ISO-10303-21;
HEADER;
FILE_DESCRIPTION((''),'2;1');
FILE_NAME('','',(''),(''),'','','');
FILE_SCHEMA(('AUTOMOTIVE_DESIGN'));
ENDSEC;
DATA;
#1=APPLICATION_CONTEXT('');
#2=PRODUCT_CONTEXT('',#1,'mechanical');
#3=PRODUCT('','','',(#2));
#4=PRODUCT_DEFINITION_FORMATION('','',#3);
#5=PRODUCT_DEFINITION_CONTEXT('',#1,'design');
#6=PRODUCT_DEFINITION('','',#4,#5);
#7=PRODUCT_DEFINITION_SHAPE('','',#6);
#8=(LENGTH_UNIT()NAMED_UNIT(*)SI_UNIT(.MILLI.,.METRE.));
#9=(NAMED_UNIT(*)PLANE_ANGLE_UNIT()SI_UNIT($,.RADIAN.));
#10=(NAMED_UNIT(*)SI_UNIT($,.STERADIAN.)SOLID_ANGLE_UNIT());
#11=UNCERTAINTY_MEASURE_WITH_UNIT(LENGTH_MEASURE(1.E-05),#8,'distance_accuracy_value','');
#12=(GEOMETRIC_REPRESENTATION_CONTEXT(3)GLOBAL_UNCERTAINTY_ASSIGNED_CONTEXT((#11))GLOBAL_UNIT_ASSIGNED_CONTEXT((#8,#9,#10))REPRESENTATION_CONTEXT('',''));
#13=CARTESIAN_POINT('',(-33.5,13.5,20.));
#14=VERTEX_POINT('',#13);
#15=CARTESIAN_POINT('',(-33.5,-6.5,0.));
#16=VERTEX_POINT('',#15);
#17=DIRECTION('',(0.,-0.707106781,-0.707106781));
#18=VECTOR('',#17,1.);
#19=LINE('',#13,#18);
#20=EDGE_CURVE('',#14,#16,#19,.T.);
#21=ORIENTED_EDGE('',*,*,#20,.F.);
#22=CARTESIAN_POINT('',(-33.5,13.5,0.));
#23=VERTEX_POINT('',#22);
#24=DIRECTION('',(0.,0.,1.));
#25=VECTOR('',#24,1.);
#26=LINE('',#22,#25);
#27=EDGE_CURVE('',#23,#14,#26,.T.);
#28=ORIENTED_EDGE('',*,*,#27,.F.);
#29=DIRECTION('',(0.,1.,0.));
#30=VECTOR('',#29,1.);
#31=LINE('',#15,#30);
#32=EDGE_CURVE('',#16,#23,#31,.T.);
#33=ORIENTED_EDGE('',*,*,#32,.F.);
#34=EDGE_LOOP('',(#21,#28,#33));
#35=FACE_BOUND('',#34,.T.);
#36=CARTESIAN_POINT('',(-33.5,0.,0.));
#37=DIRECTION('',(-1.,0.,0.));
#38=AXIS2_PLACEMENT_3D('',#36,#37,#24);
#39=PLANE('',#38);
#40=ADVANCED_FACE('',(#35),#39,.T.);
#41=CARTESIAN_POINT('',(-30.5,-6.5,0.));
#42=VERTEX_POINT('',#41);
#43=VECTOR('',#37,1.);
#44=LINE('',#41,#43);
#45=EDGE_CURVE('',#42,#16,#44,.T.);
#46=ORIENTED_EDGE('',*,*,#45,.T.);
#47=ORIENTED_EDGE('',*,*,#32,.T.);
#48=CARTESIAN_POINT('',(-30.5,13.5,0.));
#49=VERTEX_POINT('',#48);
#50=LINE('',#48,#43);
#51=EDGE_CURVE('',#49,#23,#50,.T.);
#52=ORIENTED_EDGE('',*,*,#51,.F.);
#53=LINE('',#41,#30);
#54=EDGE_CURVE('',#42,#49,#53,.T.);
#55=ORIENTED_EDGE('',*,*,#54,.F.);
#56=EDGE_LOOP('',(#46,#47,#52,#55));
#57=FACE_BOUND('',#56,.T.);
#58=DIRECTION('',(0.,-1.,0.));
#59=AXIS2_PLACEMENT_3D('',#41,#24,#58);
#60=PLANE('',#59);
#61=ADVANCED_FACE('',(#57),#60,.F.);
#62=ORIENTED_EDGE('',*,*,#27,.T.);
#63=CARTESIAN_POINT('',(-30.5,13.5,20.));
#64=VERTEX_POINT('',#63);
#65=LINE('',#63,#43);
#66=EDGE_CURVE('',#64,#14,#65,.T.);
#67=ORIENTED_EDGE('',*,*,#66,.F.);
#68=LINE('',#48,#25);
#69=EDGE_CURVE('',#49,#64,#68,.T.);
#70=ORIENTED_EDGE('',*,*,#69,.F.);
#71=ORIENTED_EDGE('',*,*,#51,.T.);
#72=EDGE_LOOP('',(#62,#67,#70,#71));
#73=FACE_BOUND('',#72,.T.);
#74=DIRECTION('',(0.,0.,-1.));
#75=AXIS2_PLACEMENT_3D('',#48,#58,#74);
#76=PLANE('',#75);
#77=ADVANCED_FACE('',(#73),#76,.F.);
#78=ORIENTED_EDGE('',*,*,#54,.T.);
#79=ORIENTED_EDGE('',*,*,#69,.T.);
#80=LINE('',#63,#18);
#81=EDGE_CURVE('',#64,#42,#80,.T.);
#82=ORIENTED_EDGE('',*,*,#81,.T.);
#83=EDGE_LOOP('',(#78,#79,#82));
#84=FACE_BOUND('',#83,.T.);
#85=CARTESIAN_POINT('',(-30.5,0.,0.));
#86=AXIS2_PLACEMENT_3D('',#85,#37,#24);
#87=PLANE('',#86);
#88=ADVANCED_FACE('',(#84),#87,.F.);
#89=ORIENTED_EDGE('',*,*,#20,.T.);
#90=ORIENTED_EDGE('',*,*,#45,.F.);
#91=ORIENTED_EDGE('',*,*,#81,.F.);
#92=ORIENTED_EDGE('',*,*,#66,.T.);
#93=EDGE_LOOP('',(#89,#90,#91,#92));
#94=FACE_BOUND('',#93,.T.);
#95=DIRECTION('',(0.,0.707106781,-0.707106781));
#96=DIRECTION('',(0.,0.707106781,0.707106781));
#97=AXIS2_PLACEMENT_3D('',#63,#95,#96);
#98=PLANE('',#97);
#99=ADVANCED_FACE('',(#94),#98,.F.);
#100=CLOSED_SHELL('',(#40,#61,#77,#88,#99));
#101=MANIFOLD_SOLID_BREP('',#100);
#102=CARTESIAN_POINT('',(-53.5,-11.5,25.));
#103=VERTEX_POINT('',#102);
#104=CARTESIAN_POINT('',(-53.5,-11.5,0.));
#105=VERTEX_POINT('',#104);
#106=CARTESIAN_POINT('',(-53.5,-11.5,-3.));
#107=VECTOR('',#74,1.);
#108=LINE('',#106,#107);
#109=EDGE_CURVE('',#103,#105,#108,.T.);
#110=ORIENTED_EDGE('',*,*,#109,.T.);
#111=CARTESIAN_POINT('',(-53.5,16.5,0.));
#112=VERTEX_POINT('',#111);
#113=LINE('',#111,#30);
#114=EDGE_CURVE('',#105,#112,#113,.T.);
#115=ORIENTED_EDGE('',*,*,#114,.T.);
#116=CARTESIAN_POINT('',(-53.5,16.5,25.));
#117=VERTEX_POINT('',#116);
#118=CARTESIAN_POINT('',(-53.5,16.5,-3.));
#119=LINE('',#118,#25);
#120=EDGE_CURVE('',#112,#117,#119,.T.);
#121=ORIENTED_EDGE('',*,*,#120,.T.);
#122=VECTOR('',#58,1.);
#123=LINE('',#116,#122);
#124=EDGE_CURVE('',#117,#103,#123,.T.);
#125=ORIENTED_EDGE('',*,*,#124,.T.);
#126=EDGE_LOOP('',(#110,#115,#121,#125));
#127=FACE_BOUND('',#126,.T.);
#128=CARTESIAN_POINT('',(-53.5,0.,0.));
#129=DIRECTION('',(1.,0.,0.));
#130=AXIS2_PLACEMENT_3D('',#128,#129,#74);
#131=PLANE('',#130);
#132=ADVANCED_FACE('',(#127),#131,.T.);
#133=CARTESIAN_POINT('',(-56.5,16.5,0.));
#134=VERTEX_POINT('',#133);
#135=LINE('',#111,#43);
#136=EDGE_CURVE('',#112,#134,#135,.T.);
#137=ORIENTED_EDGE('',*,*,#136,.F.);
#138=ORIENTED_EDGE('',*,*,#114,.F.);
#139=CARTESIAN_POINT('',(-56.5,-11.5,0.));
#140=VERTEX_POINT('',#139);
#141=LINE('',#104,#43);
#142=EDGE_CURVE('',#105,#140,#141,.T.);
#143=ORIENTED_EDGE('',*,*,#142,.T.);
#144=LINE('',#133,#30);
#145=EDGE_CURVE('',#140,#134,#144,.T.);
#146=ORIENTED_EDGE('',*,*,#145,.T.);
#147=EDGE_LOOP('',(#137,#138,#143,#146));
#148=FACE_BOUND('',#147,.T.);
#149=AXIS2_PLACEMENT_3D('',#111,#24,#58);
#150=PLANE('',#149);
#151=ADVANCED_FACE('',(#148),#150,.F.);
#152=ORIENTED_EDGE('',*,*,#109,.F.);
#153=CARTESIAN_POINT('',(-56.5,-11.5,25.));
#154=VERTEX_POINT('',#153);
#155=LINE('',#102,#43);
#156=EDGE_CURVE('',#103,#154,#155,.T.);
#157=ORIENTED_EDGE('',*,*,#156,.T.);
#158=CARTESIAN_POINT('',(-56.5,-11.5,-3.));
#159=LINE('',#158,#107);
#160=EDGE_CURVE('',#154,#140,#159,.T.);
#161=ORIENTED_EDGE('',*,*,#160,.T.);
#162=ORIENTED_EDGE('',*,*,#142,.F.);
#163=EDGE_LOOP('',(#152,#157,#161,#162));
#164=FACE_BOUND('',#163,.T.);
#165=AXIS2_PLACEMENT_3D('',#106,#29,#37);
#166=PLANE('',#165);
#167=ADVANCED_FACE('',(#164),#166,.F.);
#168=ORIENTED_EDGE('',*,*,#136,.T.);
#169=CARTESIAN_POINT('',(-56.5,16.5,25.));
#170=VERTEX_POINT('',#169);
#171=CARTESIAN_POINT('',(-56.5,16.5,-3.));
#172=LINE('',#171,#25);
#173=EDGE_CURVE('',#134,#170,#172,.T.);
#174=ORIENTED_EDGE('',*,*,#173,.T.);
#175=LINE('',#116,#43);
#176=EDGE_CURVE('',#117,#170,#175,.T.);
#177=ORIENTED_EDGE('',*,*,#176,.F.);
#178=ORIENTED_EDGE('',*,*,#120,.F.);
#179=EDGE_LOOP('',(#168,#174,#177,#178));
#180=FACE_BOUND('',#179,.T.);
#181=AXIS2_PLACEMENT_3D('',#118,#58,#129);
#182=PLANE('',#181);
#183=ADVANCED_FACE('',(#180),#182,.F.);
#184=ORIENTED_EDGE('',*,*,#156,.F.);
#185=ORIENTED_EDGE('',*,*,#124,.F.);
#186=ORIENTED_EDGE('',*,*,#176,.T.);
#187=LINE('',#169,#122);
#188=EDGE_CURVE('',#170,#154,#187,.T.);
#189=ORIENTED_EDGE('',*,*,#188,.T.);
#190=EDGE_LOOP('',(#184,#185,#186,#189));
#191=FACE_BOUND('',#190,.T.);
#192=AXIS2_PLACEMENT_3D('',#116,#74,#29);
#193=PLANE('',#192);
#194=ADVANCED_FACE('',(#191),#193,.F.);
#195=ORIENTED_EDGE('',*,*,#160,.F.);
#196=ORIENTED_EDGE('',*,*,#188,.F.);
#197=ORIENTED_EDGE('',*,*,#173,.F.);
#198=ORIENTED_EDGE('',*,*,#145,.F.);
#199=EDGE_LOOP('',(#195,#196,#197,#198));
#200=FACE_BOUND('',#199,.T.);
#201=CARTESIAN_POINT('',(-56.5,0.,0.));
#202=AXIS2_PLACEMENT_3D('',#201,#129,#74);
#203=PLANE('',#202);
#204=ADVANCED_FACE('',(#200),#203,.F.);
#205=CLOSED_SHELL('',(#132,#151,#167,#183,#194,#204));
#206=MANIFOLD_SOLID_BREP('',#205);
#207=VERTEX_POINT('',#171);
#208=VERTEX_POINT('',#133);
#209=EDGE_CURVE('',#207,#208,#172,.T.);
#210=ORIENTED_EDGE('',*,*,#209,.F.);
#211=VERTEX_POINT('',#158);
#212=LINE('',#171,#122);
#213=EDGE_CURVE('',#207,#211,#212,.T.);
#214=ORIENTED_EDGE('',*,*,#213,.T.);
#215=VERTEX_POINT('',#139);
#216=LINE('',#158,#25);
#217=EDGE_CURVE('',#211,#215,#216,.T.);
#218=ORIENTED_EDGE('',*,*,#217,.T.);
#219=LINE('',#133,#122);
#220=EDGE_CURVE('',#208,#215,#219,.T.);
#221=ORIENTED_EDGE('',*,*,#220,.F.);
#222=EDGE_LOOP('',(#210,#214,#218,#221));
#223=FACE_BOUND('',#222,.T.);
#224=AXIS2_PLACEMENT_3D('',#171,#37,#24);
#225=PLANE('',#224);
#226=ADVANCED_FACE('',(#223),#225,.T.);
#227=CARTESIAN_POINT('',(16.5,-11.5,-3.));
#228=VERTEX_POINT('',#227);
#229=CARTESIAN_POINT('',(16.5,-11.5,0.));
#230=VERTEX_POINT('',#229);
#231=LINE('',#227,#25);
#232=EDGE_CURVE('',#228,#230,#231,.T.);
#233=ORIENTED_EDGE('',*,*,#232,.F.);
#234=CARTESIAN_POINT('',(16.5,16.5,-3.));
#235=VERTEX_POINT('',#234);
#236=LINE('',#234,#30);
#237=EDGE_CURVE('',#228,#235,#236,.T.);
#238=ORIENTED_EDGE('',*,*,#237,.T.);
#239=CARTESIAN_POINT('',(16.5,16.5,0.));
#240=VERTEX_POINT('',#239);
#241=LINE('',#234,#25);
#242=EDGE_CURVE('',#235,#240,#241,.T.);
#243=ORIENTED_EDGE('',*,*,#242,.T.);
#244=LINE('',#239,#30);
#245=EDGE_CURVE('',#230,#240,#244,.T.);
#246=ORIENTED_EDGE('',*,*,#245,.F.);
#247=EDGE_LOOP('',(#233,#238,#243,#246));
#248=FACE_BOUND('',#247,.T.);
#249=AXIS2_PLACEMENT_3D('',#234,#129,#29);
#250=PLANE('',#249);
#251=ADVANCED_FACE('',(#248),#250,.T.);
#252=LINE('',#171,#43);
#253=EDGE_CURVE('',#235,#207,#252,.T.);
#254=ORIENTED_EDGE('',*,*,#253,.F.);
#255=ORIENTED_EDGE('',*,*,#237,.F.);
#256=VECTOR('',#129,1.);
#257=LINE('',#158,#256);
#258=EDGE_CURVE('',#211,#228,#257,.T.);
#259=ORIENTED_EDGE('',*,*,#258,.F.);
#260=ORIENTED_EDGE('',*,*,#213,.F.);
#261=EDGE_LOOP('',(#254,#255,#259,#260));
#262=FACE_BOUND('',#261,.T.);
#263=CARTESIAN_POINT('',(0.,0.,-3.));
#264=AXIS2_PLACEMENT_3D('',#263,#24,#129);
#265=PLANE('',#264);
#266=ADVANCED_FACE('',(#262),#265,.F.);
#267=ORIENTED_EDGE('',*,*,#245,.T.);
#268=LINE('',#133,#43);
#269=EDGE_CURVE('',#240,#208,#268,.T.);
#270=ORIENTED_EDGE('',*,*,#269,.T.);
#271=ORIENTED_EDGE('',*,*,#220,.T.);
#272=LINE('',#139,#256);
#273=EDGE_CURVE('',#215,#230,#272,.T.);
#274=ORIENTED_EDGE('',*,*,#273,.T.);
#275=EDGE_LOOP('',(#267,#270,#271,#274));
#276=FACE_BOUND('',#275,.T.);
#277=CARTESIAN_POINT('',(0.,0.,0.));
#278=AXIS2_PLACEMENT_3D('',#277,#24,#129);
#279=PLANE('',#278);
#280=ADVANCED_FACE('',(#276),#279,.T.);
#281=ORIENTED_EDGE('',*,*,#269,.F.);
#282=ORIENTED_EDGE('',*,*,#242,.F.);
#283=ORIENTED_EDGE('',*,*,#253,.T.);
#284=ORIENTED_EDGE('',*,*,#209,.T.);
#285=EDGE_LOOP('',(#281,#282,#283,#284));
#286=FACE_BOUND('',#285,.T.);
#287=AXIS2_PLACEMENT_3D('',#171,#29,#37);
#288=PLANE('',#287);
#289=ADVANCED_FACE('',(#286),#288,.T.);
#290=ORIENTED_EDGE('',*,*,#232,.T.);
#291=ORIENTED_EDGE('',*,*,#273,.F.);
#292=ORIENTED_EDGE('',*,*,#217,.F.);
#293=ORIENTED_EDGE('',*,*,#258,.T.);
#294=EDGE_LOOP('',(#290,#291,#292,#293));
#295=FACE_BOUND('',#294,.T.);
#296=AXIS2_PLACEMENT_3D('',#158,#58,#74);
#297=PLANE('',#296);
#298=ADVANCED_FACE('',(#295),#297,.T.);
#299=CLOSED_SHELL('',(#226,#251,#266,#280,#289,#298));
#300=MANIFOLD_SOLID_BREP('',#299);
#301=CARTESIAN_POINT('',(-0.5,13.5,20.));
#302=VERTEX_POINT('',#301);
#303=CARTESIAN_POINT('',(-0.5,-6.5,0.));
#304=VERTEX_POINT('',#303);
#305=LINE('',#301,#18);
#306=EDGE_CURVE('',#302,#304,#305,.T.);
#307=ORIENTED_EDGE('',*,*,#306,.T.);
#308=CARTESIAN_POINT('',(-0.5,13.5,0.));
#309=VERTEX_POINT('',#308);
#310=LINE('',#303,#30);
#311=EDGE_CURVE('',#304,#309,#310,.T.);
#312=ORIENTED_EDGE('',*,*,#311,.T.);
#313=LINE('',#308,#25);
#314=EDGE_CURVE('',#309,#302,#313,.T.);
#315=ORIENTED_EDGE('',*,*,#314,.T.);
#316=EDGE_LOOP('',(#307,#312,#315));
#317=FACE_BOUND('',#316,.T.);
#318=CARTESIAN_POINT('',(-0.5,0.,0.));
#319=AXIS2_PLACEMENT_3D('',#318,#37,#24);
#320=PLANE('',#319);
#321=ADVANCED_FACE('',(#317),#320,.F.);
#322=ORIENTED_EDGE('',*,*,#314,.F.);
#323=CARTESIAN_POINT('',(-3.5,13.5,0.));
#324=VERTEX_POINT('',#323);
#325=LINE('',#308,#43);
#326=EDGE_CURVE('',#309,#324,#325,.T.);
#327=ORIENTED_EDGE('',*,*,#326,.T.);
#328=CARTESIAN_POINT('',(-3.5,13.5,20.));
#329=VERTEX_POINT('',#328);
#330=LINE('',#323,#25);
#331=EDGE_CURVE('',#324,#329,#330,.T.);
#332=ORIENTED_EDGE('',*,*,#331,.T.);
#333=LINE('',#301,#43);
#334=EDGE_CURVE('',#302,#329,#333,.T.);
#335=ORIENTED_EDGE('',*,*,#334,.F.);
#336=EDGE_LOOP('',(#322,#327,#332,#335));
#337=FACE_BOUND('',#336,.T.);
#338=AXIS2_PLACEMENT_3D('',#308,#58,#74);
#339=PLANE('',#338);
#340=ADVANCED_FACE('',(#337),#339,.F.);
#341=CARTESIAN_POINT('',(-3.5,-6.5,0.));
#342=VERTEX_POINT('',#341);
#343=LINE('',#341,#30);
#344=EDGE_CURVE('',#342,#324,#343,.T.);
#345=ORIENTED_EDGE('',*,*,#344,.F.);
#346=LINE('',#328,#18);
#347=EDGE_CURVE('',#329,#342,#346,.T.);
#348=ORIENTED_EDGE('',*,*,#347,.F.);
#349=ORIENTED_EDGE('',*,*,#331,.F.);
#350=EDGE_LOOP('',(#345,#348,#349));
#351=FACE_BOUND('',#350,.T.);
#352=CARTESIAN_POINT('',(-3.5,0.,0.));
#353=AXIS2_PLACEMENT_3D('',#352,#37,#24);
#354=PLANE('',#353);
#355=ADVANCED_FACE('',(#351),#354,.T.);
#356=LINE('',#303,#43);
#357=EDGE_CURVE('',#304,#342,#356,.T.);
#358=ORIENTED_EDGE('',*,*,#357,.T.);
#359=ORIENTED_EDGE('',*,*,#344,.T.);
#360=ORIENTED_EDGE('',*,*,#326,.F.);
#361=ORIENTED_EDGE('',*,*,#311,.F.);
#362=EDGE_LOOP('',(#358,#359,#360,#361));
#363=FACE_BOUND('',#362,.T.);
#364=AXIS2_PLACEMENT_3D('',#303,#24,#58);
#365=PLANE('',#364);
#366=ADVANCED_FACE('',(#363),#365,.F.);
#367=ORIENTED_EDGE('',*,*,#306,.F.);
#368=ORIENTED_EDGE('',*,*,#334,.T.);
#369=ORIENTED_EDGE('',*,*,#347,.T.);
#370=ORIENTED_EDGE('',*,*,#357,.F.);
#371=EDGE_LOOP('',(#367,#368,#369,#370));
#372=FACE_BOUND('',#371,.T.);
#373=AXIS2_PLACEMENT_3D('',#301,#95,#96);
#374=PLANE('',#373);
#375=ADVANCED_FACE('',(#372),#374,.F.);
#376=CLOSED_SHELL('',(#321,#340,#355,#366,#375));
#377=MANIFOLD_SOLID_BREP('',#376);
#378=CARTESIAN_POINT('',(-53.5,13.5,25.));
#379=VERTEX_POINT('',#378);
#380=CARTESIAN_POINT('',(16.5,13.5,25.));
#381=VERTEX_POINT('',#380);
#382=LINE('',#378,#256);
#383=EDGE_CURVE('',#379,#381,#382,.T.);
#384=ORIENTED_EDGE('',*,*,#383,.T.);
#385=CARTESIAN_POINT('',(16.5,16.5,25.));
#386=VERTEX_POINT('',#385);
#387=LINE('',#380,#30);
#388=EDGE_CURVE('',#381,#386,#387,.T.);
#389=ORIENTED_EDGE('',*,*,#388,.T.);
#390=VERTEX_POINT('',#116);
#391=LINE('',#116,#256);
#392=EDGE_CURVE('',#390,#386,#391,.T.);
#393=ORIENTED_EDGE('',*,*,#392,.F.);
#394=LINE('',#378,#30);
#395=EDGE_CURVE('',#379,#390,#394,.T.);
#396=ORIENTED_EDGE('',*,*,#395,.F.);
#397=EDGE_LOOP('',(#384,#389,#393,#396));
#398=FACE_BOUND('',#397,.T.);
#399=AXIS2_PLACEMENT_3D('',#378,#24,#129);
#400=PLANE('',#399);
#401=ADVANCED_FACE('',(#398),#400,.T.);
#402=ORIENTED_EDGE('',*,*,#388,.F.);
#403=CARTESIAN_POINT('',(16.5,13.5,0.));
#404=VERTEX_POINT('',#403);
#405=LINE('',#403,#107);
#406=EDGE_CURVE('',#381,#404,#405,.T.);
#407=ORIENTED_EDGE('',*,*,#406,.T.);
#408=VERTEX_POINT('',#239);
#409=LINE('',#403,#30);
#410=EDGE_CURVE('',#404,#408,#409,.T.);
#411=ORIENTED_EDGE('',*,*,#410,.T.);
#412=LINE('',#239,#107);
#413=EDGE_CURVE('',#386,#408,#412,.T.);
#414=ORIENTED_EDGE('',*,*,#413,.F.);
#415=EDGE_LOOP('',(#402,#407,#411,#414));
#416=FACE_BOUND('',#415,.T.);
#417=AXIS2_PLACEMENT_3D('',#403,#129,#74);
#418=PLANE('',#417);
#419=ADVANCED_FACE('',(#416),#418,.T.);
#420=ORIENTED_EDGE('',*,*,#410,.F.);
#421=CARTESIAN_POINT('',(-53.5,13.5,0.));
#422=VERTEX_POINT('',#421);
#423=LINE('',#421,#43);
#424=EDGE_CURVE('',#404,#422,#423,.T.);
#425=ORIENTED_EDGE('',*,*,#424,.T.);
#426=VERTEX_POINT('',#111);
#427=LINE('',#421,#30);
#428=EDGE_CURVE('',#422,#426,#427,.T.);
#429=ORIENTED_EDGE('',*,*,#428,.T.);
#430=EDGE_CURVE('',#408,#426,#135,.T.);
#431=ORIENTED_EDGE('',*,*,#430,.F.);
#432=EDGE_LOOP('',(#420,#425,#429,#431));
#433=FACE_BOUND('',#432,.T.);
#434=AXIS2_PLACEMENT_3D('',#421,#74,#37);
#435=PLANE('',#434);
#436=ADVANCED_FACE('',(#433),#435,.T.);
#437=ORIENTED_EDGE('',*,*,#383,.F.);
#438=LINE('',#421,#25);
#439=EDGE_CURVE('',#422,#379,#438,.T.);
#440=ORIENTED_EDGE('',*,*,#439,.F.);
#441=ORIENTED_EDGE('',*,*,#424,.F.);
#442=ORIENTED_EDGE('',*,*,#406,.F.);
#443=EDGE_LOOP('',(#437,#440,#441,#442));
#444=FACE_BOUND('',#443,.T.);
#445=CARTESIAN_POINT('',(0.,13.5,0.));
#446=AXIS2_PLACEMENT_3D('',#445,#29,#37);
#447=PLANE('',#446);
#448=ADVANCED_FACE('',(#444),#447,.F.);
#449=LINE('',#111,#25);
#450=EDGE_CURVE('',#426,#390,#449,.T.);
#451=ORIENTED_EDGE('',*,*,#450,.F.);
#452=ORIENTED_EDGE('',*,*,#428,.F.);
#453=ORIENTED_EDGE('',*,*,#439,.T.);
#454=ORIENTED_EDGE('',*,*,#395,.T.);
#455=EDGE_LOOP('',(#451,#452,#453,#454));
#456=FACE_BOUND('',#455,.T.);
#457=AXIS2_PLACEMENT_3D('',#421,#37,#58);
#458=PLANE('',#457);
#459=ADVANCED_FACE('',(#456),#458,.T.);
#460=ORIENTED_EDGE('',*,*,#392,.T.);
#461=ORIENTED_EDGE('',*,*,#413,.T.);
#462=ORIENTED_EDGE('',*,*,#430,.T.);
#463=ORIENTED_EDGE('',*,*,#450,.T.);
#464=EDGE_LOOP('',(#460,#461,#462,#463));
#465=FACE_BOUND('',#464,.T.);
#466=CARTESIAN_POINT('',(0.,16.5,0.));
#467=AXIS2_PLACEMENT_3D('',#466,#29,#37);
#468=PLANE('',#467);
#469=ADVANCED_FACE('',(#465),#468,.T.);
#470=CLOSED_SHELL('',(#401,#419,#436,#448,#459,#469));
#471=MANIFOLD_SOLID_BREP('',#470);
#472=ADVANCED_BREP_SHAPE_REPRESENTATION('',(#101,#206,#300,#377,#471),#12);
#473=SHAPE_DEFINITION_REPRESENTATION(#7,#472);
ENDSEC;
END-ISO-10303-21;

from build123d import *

# Parameters (mm, degrees)
SKETCH1_W           = 73
SKETCH1_H           = 28
BOSS_EXTRUDE1_DEPTH = 3
SKETCH3_W           = 70
SKETCH3_H           = 25
BOSS_EXTRUDE2_DEPTH = 3
BOSS_EXTRUDE3_START = 3
SKETCH4_W           = 25
SKETCH4_H           = 28
BOSS_EXTRUDE3_DEPTH = 3
BOSS_EXTRUDE4_START = 20
BOSS_EXTRUDE4_DEPTH = 3
BOSS_EXTRUDE5_START = 50
BOSS_EXTRUDE5_DEPTH = 3


with BuildPart() as part:
    # Sketch1 → Boss-Extrude1 (new body)
    with BuildSketch(Plane.XY):
        with Locations((-20, 2.5)):
            Rectangle(SKETCH1_W, SKETCH1_H)
    extrude(amount=-BOSS_EXTRUDE1_DEPTH)


with BuildPart() as body_2:
    # Sketch3 → Boss-Extrude2 (new body)
    with BuildSketch(Plane(origin=(0, 16.5, 0), x_dir=(1, 0, 0), z_dir=(0, 1, 0))):
        with Locations((-18.5, -12.5)):
            Rectangle(SKETCH3_W, SKETCH3_H)
    extrude(amount=-BOSS_EXTRUDE2_DEPTH)


with BuildPart() as body_3:
    # Sketch4 → Boss-Extrude3 (new body)
    with BuildSketch(Plane.ZY.offset(53.5).offset(BOSS_EXTRUDE3_START)):
        with Locations((12.5, 2.5)):
            Rectangle(SKETCH4_W, SKETCH4_H)
    extrude(amount=-BOSS_EXTRUDE3_DEPTH)


with BuildPart() as body_4:
    # Sketch5 → Boss-Extrude4 (new body)
    with BuildSketch(Plane(origin=(-53.5, 0, 0), x_dir=(0, 0, -1), z_dir=(1, 0, 0)).offset(BOSS_EXTRUDE4_START)):
        Polygon((-20, 13.5), (0, -6.5), (0, 13.5), align=None)
    extrude(amount=BOSS_EXTRUDE4_DEPTH)


with BuildPart() as body_5:
    # Sketch5<2> → Boss-Extrude5 (new body)
    with BuildSketch(Plane(origin=(-53.5, 0, 0), x_dir=(0, 0, -1), z_dir=(1, 0, 0)).offset(BOSS_EXTRUDE5_START)):
        Polygon((-20, 13.5), (0, -6.5), (0, 13.5), align=None)
    extrude(amount=BOSS_EXTRUDE5_DEPTH)


solid = Compound([part.part, body_2.part, body_3.part, body_4.part, body_5.part])
